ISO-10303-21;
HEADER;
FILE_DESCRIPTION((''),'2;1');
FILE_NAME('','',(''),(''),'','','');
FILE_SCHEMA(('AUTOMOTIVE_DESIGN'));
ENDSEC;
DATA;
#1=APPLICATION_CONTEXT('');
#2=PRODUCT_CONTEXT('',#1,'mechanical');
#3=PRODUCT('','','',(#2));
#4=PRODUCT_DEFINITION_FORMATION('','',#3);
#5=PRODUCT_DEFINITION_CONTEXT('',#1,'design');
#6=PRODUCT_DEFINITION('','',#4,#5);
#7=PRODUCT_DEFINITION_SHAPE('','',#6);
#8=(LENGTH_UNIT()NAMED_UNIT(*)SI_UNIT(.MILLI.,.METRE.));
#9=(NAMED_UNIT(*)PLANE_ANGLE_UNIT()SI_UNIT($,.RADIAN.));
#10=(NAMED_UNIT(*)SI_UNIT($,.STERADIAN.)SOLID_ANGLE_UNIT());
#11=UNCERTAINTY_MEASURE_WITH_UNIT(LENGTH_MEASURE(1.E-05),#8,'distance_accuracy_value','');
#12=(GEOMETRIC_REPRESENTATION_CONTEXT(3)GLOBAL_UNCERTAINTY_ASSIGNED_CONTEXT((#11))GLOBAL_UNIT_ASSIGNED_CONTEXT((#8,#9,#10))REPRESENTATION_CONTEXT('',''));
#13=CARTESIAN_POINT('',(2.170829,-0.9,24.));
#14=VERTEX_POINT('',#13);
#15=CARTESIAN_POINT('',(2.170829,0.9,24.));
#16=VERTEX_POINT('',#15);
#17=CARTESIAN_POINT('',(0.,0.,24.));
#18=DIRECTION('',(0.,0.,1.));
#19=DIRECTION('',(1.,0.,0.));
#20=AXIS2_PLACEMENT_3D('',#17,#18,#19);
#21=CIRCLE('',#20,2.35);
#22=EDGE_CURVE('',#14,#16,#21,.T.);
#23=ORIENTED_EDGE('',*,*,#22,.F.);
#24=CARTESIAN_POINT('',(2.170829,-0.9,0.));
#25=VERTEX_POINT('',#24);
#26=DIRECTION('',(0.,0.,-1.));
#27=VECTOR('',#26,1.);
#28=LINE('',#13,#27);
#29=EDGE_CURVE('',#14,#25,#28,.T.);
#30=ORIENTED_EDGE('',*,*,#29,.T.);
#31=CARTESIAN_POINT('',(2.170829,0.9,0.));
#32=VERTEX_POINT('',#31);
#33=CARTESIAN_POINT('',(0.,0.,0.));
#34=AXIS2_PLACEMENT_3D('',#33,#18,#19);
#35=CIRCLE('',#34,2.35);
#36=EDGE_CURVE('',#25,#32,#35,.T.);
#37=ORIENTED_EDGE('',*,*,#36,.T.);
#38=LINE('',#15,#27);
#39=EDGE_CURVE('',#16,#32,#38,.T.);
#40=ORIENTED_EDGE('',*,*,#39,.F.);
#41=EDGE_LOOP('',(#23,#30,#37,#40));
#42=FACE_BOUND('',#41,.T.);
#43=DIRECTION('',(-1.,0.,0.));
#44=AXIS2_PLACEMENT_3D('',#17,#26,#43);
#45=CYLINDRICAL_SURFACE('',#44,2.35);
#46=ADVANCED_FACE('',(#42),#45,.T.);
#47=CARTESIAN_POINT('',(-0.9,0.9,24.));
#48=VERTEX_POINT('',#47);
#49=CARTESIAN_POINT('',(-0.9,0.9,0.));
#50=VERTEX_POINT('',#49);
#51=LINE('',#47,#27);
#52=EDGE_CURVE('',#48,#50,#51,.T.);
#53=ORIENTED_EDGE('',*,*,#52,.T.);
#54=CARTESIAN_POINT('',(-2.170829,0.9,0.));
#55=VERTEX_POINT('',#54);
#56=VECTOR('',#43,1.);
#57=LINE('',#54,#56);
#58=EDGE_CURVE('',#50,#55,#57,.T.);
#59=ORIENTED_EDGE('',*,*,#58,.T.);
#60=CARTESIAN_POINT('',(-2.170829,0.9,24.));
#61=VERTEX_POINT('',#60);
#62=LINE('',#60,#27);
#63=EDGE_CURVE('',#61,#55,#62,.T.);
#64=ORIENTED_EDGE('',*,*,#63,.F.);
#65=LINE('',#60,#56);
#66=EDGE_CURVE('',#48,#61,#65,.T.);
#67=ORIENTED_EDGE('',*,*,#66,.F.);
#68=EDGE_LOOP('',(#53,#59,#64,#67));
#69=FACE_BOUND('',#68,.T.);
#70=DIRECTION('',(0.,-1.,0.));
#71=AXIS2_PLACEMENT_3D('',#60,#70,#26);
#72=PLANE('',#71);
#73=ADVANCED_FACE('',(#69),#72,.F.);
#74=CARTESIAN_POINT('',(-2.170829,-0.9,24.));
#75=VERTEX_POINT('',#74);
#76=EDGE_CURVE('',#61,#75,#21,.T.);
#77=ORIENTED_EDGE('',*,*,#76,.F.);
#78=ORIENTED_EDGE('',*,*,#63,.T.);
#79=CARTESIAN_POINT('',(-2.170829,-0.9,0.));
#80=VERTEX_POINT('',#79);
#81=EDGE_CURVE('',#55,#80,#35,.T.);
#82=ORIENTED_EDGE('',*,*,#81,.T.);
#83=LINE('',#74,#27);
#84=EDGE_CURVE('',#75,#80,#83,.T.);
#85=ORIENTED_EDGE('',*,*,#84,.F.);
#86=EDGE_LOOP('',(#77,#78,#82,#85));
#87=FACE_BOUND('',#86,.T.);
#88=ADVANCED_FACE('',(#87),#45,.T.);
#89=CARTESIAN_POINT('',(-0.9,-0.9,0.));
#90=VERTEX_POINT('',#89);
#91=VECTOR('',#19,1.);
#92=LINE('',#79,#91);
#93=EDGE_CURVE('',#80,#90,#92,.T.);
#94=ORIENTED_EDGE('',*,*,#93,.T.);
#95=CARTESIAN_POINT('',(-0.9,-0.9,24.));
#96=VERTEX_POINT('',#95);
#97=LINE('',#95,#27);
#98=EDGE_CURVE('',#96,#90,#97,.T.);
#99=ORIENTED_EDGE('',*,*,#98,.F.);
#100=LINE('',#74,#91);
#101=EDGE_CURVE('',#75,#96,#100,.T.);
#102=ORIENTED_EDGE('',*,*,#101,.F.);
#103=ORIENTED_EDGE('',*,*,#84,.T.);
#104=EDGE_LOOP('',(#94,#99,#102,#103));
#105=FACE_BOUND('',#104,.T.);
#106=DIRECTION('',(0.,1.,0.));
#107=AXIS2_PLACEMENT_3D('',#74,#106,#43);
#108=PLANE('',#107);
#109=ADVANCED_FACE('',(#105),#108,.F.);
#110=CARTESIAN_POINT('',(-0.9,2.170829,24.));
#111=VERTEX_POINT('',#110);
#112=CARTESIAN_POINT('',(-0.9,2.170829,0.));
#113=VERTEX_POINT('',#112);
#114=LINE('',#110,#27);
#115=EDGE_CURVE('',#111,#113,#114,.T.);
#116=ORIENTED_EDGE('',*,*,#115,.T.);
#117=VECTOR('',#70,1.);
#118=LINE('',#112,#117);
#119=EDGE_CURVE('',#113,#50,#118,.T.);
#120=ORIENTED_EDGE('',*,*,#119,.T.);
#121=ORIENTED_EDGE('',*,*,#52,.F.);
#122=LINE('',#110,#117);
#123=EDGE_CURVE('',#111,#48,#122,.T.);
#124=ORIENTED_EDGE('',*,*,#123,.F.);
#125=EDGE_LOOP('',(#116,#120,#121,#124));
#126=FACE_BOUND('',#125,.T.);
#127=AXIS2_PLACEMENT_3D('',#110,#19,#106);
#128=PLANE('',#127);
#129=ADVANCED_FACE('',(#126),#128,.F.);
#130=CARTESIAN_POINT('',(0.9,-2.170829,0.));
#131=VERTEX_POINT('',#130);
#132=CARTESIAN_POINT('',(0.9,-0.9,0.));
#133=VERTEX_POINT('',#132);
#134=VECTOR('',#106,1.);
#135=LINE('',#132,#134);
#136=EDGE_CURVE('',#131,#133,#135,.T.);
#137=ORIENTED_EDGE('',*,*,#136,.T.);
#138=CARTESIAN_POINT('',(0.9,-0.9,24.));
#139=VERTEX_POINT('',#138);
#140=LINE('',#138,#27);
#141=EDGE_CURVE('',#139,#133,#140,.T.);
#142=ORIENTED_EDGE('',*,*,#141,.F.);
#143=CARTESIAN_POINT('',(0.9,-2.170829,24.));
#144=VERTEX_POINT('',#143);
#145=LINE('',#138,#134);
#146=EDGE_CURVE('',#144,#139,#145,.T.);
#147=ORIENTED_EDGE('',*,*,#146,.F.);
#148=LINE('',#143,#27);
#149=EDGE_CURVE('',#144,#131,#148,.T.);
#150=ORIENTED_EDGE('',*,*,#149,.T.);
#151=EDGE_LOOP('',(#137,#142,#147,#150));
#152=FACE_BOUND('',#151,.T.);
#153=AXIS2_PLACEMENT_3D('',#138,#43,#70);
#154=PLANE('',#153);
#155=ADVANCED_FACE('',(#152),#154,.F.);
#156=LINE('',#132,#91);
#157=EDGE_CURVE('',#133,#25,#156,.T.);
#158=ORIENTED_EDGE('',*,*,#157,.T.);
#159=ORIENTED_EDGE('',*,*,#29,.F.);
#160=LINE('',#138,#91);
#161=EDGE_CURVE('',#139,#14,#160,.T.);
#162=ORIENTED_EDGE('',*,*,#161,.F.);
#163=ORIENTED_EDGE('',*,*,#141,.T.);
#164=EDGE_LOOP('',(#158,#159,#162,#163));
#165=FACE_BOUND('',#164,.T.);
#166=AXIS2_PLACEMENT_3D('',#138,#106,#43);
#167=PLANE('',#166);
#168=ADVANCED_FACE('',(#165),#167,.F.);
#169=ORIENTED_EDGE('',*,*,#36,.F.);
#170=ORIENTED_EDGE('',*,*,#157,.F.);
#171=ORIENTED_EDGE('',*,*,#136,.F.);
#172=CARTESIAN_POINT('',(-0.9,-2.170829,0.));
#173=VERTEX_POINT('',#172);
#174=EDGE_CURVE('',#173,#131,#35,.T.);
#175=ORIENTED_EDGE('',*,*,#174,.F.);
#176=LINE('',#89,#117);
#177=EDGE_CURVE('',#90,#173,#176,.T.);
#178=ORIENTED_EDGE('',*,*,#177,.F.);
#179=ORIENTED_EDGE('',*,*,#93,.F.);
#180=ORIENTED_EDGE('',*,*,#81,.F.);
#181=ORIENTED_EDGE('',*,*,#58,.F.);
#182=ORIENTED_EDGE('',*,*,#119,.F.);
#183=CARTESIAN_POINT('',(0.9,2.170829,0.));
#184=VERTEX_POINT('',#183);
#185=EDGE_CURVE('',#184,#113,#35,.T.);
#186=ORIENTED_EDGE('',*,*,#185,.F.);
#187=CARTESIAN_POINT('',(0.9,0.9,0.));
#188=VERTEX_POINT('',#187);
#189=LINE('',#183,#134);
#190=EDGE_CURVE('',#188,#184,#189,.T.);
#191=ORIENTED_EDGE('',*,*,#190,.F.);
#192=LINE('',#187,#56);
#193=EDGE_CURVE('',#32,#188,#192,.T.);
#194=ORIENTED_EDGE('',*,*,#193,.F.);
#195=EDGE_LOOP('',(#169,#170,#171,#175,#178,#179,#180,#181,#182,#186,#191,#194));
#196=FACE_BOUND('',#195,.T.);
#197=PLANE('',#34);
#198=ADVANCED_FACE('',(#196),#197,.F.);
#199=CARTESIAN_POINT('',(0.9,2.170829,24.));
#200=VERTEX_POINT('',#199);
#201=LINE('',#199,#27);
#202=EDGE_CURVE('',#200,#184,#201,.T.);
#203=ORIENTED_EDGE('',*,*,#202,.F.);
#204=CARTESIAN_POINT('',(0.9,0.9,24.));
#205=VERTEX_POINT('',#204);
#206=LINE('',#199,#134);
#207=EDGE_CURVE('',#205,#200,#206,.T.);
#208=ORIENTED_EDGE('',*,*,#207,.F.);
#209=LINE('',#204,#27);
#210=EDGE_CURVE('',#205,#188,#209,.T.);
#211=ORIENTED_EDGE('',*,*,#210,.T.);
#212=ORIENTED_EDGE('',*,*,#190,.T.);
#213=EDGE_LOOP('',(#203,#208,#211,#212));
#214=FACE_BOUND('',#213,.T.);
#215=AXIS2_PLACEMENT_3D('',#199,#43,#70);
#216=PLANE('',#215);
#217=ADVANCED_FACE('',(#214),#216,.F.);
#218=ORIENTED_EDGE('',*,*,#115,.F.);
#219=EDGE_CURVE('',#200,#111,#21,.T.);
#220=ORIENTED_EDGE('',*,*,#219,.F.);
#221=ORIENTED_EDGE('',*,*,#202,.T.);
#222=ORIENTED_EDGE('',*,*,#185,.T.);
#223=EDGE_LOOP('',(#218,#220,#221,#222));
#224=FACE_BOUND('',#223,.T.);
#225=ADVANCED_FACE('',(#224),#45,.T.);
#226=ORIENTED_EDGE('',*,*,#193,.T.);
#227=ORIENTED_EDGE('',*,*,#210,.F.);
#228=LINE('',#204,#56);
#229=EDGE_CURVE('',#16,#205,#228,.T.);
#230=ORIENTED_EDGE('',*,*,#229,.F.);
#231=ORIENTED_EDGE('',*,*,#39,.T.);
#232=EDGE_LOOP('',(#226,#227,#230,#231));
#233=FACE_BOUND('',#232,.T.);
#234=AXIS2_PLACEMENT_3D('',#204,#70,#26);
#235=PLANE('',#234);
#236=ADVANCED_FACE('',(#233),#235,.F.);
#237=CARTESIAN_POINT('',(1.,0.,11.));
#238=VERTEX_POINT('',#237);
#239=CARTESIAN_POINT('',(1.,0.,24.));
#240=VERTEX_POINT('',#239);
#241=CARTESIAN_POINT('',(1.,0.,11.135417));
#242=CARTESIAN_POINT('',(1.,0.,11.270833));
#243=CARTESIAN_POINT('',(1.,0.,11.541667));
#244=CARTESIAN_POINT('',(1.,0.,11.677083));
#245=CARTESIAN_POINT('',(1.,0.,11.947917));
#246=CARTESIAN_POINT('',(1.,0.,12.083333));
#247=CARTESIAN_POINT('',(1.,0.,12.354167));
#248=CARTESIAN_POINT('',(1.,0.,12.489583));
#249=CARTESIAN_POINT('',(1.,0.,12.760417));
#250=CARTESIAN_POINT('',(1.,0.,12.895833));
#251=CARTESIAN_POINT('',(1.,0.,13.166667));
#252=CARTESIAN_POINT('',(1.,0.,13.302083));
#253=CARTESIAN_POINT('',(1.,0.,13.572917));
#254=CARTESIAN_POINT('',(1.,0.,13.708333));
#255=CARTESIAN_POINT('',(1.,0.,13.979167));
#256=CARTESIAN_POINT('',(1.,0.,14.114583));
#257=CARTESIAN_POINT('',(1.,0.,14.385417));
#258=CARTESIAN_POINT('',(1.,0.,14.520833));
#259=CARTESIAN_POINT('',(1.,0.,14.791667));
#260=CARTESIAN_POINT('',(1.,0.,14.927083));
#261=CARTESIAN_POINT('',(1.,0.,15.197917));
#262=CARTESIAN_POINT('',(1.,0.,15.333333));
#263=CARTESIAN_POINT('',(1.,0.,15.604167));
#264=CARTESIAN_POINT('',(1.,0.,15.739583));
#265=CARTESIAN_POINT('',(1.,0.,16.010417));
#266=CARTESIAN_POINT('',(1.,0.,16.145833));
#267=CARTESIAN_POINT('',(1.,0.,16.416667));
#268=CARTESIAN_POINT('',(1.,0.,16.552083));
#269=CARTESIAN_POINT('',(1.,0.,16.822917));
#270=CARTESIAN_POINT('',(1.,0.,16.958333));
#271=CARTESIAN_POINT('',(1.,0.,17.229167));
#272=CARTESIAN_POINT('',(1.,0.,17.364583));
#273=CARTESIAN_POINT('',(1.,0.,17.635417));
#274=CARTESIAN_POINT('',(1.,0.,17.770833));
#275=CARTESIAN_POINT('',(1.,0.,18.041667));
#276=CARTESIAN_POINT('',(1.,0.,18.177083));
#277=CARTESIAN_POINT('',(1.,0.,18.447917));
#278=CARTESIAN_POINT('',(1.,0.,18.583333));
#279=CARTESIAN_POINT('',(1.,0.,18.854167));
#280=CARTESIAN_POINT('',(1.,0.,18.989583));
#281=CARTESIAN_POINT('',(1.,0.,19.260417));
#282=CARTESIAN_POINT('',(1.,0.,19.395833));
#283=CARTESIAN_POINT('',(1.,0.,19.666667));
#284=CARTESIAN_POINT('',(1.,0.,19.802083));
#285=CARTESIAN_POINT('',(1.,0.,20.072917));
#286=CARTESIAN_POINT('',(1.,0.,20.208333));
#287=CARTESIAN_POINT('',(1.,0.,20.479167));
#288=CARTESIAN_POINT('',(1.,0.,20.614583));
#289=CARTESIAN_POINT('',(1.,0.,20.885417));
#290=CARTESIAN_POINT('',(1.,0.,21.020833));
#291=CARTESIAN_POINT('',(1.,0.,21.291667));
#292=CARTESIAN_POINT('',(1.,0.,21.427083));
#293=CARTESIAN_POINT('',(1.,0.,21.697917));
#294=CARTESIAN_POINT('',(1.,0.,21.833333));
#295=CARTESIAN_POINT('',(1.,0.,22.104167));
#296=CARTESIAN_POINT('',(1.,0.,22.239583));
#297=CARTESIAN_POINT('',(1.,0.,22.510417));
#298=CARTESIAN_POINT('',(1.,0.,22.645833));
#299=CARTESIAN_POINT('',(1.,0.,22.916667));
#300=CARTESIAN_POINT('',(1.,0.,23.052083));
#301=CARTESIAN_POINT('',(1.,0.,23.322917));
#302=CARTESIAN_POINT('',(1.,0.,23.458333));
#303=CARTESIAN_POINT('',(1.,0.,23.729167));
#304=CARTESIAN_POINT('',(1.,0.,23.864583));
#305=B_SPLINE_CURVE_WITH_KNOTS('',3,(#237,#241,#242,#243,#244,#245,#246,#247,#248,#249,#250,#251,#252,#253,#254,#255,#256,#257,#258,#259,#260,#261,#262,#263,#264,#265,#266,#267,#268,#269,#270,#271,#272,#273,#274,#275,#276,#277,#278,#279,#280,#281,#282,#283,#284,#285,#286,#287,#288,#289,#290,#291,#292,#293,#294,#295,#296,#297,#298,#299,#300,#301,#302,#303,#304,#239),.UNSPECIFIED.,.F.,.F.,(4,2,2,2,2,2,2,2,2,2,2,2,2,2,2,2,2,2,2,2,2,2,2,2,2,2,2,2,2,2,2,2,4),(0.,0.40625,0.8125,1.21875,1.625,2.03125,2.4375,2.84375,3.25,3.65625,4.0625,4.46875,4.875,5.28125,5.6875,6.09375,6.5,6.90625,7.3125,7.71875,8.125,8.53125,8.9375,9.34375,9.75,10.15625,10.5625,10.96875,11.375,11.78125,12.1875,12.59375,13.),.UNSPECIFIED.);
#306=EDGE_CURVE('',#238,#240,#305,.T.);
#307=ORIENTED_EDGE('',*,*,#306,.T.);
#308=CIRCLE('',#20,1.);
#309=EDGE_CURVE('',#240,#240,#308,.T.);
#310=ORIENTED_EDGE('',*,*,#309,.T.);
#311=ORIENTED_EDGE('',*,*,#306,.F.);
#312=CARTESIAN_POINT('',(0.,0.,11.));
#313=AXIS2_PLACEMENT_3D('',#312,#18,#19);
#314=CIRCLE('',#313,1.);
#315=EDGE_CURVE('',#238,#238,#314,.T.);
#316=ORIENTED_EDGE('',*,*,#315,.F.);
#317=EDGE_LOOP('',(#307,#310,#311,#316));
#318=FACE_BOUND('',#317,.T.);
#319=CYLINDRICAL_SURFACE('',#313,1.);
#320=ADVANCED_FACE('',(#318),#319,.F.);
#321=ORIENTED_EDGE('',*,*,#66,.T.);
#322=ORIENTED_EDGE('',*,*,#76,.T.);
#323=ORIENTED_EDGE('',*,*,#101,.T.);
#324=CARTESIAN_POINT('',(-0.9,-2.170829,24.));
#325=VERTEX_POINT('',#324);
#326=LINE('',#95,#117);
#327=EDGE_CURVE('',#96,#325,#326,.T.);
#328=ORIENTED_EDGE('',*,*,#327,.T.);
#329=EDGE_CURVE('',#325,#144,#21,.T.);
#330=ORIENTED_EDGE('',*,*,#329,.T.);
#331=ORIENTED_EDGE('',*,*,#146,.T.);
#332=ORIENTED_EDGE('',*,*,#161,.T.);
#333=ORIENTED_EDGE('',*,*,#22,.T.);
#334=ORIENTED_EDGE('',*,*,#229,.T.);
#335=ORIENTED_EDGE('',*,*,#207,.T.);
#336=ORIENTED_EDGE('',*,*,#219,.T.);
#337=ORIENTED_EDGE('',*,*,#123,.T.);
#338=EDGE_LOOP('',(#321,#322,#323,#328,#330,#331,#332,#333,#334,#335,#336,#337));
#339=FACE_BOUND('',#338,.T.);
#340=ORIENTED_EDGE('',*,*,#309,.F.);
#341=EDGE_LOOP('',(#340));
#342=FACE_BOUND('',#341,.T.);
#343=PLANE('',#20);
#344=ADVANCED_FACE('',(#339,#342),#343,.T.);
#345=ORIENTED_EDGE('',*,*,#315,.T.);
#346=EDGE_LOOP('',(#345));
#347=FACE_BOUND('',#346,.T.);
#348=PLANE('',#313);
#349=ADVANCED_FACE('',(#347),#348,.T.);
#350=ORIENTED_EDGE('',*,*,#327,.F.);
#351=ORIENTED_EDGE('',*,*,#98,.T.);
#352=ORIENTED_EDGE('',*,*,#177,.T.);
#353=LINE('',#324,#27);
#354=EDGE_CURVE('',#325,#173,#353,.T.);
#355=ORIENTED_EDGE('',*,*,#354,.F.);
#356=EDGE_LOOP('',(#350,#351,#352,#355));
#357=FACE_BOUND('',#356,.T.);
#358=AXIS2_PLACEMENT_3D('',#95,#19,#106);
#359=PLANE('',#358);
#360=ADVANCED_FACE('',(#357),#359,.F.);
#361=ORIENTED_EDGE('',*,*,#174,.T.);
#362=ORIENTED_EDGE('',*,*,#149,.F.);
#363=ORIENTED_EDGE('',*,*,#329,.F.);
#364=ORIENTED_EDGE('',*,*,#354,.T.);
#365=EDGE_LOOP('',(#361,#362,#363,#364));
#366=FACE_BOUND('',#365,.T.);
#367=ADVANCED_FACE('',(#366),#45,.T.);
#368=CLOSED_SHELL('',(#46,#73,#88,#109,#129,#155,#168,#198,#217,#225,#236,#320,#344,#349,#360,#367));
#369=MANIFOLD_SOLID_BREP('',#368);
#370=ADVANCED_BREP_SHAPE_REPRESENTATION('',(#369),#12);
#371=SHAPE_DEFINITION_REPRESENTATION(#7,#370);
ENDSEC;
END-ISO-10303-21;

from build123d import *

# Parameters (mm, degrees)
BOSS_EXTRUDE1_DEPTH = 24
SKETCH2_R           = 1
CUT_EXTRUDE1_DEPTH  = 13


with BuildPart() as part:
    # Sketch1 → Boss-Extrude1 (new body)
    with BuildSketch(Plane.XY):
        with BuildLine():
            Line((-0.9, 2.170829335), (-0.9, 0.9))
            Line((-0.9, 0.9), (-2.170829335, 0.9))
            ThreePointArc((-2.170829335, 0.9), (-2.35, 0), (-2.170829335, -0.9))
            Line((-2.170829335, -0.9), (-0.9, -0.9))
            Line((-0.9, -0.9), (-0.9, -2.170829335))
            ThreePointArc((-0.9, -2.170829335), (0, -2.35), (0.9, -2.170829335))
            Line((0.9, -2.170829335), (0.9, -0.9))
            Line((0.9, -0.9), (2.170829335, -0.9))
            ThreePointArc((2.170829335, -0.9), (2.35, 0), (2.170829335, 0.9))
            Line((2.170829335, 0.9), (0.9, 0.9))
            Line((0.9, 0.9), (0.9, 2.170829335))
            ThreePointArc((0.9, 2.170829335), (0, 2.35), (-0.9, 2.170829335))
        make_face()
    extrude(amount=BOSS_EXTRUDE1_DEPTH)

    # Sketch2 → Cut-Extrude1 (cut)
    with BuildSketch(Plane.XY.offset(24)):
        Circle(SKETCH2_R)
    extrude(amount=-CUT_EXTRUDE1_DEPTH, mode=Mode.SUBTRACT)


solid = part.part
